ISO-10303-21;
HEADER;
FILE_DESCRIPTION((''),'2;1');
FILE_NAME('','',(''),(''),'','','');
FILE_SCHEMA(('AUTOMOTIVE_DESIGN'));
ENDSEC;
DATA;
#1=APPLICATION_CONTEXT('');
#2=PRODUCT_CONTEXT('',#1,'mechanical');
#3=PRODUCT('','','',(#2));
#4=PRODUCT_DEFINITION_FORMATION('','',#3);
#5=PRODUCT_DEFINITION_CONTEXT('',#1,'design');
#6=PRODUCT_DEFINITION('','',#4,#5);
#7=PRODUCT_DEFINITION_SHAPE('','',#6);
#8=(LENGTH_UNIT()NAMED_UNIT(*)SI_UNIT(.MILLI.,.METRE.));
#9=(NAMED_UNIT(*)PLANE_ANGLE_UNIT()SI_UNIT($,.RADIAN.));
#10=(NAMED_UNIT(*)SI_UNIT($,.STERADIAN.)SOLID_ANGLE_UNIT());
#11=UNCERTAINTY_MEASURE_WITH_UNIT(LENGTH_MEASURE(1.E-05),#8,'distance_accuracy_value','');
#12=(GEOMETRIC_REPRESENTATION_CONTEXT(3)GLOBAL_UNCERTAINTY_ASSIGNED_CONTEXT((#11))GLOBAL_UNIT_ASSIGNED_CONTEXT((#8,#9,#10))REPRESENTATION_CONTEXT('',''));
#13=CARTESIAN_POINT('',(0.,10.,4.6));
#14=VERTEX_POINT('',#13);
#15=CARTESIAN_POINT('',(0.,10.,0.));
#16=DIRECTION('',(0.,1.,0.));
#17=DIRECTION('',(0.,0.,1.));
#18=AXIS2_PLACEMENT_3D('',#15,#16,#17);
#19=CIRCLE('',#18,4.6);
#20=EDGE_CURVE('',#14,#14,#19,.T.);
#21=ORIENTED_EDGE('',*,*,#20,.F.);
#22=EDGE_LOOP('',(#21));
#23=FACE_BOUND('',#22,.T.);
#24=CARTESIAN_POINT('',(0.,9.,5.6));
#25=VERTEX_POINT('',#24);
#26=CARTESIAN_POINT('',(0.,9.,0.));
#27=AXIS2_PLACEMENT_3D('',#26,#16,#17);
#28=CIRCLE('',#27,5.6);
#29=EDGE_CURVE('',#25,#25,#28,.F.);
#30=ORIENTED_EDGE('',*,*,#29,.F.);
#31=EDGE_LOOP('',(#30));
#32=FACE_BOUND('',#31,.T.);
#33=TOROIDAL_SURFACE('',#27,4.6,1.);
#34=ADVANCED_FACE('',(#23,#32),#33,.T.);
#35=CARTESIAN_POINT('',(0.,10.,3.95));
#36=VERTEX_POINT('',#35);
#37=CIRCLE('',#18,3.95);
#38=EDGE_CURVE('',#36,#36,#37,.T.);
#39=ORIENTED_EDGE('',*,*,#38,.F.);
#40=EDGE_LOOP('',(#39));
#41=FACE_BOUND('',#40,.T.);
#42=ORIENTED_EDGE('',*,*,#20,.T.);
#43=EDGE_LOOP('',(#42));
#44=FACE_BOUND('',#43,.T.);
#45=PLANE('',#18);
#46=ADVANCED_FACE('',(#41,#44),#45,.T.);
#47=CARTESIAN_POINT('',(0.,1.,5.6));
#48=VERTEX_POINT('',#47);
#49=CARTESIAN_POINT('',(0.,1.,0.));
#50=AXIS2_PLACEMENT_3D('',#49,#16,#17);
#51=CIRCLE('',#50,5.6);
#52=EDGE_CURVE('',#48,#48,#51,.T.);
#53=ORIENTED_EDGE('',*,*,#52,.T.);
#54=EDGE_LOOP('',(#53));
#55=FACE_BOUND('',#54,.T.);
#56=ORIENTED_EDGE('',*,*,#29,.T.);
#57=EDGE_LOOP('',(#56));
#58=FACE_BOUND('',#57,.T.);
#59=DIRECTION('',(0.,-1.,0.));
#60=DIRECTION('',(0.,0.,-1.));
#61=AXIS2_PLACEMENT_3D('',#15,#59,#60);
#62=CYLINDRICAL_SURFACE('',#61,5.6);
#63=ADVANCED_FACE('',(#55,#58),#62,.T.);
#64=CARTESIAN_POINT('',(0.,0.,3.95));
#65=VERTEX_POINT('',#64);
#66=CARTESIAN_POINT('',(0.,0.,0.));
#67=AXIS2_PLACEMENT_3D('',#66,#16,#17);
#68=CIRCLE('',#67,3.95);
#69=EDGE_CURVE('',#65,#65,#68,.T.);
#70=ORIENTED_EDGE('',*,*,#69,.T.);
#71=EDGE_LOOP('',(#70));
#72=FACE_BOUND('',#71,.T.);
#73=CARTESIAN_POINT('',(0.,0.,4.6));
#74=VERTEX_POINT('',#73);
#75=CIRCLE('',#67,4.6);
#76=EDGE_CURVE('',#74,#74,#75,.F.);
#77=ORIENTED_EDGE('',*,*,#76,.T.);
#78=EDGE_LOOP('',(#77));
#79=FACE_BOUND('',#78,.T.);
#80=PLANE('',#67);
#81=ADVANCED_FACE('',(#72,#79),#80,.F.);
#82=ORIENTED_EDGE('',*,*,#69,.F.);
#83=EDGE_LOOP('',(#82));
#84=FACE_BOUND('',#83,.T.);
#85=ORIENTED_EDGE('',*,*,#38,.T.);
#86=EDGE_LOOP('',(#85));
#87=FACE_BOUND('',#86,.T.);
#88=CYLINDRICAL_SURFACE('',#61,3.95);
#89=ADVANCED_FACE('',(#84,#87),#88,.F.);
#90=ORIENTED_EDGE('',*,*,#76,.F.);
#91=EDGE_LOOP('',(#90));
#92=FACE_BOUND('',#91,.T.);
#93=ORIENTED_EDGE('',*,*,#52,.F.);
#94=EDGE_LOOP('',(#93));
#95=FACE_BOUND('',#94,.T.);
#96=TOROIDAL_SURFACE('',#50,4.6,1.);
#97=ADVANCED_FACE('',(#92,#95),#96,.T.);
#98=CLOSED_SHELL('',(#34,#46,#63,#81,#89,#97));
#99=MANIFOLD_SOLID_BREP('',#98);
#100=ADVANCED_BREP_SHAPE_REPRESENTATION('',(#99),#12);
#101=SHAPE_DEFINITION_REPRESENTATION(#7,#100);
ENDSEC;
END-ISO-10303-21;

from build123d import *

# Parameters (mm, degrees)
SKETCH1_R           = 5.6
SKETCH1_R_2         = 3.95
BOSS_EXTRUDE1_DEPTH = 10
FILLET1_R           = 1


with BuildPart() as part:
    # Sketch1 → Boss-Extrude1 (new body)
    with BuildSketch(Plane(origin=(0, 0, 0), x_dir=(1, 0, 0), z_dir=(0, 1, 0))):
        Circle(SKETCH1_R)
        Circle(SKETCH1_R_2, mode=Mode.SUBTRACT)
    extrude(amount=BOSS_EXTRUDE1_DEPTH)

    # Fillet1
    fillet1_edges = [part.edges().sort_by_distance(p)[0] for p in [
        (-5.6, 0, 0),
        (-5.6, 10, 0),
    ]]
    fillet(fillet1_edges, radius=FILLET1_R)


solid = part.part
